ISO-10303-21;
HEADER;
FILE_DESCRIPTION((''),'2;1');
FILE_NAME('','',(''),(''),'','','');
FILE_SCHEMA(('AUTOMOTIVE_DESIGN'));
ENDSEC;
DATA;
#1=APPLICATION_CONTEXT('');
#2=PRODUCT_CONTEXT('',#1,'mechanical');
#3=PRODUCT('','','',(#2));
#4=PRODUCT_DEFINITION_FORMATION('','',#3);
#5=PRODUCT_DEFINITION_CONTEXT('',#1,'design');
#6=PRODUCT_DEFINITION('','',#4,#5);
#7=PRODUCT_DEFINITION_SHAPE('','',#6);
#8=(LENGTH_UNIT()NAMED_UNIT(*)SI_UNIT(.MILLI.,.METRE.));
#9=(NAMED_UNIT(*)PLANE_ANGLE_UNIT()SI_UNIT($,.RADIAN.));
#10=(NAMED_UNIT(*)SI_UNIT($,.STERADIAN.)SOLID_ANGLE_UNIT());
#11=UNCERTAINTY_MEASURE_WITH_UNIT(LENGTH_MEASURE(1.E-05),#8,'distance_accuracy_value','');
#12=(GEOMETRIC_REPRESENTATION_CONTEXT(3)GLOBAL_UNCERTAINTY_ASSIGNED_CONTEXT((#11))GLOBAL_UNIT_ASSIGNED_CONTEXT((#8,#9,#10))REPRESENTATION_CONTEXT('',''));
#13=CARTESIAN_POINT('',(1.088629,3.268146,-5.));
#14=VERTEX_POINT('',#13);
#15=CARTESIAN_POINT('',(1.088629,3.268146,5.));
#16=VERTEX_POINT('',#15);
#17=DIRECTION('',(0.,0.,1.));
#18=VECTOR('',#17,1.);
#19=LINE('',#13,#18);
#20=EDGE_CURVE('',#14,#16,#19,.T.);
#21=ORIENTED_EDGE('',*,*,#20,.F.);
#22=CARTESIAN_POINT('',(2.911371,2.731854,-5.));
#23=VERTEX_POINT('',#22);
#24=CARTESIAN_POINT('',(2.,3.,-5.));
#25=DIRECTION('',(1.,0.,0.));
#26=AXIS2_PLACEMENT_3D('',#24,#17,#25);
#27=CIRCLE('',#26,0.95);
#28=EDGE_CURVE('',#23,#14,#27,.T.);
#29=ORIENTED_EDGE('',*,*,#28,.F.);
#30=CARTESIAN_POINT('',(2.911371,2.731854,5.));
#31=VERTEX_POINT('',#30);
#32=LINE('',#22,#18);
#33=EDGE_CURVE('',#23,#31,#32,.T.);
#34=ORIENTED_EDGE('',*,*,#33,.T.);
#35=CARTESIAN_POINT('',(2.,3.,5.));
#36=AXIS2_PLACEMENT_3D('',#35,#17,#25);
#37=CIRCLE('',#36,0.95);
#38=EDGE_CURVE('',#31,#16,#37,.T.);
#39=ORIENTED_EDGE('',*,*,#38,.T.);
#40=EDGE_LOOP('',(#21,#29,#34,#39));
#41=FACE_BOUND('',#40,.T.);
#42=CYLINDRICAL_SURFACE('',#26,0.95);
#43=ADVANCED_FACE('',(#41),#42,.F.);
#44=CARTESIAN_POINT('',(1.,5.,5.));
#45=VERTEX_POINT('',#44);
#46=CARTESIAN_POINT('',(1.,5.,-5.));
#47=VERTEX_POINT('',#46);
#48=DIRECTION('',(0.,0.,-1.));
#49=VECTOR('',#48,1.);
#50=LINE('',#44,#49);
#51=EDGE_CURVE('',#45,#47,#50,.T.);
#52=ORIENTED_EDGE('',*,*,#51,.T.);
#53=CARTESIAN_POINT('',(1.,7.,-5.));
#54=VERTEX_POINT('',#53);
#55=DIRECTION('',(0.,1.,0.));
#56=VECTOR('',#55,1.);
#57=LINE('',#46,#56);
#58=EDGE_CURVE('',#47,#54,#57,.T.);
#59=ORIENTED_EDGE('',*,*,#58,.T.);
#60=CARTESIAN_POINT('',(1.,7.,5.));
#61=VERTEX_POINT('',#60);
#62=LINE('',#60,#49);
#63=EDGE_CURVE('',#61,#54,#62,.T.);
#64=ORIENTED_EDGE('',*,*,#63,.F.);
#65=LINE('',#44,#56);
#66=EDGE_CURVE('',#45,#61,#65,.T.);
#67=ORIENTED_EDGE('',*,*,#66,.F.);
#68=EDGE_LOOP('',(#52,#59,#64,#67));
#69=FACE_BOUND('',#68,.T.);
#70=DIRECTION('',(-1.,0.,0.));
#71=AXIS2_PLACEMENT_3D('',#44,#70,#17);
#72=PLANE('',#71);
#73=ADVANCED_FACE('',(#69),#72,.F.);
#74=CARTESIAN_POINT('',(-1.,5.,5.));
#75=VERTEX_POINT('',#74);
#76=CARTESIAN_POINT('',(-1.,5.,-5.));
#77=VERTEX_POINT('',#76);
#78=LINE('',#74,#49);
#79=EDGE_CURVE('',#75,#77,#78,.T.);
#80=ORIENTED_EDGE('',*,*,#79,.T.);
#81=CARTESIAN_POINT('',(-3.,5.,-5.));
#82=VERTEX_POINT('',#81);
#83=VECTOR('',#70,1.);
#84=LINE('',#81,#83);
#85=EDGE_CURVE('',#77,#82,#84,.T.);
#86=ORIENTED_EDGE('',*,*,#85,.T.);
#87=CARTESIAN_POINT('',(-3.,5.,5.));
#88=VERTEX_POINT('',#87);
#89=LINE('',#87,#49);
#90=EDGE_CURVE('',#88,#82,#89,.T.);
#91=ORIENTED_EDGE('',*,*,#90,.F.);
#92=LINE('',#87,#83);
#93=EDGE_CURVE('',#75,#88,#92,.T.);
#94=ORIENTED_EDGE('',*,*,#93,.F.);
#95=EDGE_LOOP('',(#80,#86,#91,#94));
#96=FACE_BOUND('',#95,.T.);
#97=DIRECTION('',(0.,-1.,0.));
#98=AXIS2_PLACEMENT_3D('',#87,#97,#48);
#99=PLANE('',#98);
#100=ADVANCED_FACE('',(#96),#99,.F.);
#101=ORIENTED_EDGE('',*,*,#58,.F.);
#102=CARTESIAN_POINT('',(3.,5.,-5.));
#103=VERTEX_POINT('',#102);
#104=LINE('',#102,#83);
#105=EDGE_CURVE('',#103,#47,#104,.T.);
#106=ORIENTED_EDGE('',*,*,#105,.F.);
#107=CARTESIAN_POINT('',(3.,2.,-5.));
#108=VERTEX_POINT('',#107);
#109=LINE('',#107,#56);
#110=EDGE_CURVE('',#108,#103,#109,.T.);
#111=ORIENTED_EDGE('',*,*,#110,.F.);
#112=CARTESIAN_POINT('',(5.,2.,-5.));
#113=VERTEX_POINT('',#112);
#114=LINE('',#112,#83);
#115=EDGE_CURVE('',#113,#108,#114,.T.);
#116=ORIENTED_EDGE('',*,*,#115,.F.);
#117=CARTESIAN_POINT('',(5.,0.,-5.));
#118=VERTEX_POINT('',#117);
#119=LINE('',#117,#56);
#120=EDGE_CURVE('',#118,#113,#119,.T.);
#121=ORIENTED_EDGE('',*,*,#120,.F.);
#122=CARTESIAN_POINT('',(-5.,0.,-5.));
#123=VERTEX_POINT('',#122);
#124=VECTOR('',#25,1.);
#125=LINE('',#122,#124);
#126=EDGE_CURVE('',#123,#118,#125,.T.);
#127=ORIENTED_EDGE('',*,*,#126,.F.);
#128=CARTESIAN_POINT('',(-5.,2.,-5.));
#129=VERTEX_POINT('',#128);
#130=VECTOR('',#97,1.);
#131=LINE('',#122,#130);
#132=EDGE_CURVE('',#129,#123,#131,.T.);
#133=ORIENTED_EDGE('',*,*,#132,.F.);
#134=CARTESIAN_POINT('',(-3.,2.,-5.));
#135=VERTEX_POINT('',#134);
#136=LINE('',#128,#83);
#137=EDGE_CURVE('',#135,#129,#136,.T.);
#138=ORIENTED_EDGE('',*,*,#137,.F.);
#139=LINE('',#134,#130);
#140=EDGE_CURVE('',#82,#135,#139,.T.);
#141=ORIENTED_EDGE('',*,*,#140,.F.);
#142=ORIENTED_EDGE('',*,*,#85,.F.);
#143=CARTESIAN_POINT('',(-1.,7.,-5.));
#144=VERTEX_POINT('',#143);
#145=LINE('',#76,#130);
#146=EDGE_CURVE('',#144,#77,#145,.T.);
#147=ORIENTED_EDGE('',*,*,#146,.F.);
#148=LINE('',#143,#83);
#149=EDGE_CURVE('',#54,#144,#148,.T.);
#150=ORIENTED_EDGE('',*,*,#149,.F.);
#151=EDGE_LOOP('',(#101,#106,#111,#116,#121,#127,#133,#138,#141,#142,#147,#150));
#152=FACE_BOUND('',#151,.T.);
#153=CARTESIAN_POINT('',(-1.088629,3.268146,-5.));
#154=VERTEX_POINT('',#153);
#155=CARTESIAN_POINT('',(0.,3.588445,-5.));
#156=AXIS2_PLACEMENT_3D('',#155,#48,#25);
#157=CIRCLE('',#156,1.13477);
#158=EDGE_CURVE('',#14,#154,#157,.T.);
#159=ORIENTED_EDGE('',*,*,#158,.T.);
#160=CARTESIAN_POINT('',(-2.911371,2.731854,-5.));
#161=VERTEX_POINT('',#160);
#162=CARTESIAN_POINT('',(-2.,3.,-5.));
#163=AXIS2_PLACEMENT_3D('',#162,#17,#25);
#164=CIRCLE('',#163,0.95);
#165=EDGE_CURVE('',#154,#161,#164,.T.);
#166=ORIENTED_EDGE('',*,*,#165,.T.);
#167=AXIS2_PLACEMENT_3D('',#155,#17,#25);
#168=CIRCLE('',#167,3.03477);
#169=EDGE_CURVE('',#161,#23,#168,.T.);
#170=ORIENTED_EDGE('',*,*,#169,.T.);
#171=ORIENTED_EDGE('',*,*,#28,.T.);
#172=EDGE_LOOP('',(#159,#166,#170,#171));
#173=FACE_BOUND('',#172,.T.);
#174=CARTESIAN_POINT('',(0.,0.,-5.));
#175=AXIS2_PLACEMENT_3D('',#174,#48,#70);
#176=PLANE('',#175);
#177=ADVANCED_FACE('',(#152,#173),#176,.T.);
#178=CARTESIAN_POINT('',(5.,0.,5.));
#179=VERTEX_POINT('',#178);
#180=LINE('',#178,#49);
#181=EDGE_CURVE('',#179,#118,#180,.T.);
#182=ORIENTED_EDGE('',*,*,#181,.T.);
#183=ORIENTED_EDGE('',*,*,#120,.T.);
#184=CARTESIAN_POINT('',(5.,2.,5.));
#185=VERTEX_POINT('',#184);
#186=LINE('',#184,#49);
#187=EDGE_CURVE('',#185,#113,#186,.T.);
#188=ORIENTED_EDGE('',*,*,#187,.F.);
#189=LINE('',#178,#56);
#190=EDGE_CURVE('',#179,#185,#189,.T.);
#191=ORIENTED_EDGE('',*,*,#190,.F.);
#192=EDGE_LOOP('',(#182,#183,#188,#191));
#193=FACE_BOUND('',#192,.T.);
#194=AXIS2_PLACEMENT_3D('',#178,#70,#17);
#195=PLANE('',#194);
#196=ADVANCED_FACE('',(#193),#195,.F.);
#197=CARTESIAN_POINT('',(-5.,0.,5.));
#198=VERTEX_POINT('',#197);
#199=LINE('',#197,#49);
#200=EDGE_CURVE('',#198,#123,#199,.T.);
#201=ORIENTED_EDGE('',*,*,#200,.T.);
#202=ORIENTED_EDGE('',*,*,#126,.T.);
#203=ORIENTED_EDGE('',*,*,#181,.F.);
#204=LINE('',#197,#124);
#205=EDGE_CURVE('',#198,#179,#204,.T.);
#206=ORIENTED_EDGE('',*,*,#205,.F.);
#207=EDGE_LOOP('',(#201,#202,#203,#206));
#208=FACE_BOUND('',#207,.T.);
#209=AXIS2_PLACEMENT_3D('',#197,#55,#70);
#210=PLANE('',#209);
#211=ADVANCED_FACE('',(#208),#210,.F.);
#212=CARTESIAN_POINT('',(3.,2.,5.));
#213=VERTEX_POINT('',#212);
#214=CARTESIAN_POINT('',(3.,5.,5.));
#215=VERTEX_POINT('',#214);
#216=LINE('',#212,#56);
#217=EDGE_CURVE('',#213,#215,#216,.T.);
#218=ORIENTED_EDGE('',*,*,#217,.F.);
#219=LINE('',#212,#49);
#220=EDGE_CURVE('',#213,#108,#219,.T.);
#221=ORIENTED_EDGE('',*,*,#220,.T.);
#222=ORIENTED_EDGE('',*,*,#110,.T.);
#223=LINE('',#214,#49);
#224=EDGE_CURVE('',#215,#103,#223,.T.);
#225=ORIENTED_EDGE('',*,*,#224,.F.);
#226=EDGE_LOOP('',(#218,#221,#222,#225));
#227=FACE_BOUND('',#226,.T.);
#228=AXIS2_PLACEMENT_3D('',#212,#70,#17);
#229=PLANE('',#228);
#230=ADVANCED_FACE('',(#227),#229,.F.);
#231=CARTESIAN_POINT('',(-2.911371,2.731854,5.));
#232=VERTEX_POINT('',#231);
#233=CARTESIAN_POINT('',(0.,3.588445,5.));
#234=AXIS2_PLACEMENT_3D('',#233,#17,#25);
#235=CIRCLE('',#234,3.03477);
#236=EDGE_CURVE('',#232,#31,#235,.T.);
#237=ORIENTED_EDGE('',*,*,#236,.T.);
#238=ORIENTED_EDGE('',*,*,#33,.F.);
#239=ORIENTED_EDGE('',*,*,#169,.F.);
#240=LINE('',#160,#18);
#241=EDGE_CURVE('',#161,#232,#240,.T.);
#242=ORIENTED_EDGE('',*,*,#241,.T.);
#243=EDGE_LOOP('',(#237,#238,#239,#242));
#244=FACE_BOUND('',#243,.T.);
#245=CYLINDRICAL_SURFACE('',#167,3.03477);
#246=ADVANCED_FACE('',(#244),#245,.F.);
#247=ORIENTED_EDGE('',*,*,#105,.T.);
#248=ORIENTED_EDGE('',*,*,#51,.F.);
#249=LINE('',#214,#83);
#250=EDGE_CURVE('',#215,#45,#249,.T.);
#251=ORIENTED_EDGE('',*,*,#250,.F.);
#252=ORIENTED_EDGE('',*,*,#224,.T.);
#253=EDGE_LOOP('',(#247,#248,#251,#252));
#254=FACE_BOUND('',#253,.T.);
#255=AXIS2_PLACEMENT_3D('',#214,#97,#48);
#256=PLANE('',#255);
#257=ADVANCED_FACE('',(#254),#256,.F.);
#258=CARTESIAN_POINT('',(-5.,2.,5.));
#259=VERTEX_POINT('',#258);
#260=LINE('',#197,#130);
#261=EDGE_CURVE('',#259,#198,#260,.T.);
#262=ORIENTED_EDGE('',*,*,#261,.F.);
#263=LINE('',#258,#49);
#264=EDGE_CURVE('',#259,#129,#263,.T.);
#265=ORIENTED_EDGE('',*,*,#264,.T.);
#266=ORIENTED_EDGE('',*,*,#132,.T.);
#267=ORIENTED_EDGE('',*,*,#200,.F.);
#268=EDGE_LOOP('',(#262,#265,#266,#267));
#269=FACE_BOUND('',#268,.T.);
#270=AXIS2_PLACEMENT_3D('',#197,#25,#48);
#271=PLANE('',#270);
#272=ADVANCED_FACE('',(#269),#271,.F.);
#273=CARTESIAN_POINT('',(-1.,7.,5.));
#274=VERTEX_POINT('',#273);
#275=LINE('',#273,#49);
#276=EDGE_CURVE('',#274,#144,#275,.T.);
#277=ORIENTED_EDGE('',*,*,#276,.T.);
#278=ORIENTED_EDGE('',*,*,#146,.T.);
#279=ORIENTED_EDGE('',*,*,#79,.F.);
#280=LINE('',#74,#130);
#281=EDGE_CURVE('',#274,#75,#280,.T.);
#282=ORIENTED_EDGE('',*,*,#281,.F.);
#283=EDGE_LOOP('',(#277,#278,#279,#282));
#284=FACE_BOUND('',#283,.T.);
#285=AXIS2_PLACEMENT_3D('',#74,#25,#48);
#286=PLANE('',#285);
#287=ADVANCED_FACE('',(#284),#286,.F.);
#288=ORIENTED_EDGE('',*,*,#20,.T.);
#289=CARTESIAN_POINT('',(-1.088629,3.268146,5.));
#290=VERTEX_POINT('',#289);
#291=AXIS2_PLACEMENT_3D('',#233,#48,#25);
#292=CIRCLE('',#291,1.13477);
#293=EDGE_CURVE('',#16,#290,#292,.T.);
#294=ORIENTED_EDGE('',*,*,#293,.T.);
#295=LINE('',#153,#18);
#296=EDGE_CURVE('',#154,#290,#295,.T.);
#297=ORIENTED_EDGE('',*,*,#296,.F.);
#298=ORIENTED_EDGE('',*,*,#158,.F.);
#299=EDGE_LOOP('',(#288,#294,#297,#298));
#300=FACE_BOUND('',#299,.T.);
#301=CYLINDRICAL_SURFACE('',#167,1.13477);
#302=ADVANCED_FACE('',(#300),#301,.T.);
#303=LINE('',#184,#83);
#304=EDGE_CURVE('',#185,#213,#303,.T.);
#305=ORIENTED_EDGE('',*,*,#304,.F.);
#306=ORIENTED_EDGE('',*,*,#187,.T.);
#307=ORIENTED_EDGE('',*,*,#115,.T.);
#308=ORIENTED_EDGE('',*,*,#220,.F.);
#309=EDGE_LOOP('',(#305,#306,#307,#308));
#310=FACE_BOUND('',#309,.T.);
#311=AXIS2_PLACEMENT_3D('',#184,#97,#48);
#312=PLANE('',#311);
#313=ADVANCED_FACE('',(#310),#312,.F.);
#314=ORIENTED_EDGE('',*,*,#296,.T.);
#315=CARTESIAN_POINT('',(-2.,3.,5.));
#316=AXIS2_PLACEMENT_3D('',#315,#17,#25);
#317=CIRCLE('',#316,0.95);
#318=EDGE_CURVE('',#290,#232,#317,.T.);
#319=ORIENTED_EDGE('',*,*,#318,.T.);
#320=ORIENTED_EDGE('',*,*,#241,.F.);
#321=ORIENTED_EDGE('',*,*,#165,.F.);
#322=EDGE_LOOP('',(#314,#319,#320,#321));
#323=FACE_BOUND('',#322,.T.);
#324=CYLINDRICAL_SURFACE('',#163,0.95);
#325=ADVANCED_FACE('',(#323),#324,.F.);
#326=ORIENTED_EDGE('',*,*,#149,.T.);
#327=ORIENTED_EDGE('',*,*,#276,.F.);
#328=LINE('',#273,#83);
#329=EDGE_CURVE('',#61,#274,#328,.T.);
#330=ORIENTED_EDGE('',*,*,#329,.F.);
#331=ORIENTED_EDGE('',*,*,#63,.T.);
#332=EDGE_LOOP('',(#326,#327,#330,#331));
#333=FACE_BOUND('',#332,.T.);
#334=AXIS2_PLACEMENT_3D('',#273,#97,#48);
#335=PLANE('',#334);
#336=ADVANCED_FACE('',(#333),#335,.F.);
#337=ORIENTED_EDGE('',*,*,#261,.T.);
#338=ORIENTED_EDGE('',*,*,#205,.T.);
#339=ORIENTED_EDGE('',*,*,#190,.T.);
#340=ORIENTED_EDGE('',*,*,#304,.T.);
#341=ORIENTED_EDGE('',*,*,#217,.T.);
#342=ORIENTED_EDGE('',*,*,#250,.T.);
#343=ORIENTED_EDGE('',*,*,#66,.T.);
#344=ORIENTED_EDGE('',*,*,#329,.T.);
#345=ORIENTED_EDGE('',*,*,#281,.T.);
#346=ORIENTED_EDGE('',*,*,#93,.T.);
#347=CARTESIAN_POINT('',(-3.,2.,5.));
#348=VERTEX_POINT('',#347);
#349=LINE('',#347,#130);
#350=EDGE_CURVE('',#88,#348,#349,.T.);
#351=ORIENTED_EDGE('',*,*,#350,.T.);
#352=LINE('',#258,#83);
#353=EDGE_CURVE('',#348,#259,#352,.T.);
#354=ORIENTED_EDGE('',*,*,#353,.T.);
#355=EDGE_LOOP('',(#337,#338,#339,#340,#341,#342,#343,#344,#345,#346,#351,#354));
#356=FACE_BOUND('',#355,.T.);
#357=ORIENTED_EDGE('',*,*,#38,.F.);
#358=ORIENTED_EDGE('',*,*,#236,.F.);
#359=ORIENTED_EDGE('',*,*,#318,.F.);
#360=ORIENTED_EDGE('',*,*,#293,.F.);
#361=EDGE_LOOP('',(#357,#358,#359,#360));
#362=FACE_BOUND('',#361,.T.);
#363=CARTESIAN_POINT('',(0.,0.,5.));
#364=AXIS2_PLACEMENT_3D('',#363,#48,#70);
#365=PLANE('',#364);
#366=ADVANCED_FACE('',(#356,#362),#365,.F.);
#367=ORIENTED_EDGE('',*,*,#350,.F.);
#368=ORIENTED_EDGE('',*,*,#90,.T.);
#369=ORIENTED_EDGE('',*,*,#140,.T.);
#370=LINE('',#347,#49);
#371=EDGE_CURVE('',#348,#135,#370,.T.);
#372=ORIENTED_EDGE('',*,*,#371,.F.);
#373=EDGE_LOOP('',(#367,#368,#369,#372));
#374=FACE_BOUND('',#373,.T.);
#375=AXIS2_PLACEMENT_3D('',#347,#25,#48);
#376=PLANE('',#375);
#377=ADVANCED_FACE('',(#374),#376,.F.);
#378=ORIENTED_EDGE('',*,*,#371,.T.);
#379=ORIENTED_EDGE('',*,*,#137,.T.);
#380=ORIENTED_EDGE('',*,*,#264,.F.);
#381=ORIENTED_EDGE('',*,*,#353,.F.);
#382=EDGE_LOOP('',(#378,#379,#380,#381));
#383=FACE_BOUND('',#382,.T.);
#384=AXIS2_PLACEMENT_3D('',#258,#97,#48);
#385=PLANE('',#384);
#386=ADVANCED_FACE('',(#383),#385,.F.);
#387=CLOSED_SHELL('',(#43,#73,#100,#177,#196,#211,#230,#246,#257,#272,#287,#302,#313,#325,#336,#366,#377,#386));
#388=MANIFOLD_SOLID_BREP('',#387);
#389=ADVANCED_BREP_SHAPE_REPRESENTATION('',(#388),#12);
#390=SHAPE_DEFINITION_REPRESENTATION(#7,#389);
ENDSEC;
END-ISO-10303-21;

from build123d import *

# Parameters (mm, degrees)
BOSS_EXTRUDE1_DEPTH = 5
CUT_EXTRUDE1_DEPTH  = 10


with BuildPart() as part:
    # Sketch1 → Boss-Extrude1 (new, symmetric)
    with BuildSketch(Plane.XY):
        Polygon((-5, 0), (5, 0), (5, 2), (3, 2), (3, 5), (1, 5), (1, 7), (-1, 7), (-1, 5), (-3, 5), (-3, 2), (-5, 2), align=None)
    extrude(amount=BOSS_EXTRUDE1_DEPTH, both=True)

    # Sketch2 → Cut-Extrude1 (cut)
    with BuildSketch(Plane.XY.offset(5)):
        with BuildLine():
            ThreePointArc((-2.911371351, 2.73185403), (0, 0.553674644), (2.911371351, 2.73185403))
            ThreePointArc((2.911371351, 2.73185403), (2.26814597, 3.911371351), (1.088628649, 3.26814597))
            ThreePointArc((1.088628649, 3.26814597), (0, 2.453674644), (-1.088628649, 3.26814597))
            ThreePointArc((-1.088628649, 3.26814597), (-2.26814597, 3.911371351), (-2.911371351, 2.73185403))
        make_face()
    extrude(amount=-CUT_EXTRUDE1_DEPTH, mode=Mode.SUBTRACT)


solid = part.part
